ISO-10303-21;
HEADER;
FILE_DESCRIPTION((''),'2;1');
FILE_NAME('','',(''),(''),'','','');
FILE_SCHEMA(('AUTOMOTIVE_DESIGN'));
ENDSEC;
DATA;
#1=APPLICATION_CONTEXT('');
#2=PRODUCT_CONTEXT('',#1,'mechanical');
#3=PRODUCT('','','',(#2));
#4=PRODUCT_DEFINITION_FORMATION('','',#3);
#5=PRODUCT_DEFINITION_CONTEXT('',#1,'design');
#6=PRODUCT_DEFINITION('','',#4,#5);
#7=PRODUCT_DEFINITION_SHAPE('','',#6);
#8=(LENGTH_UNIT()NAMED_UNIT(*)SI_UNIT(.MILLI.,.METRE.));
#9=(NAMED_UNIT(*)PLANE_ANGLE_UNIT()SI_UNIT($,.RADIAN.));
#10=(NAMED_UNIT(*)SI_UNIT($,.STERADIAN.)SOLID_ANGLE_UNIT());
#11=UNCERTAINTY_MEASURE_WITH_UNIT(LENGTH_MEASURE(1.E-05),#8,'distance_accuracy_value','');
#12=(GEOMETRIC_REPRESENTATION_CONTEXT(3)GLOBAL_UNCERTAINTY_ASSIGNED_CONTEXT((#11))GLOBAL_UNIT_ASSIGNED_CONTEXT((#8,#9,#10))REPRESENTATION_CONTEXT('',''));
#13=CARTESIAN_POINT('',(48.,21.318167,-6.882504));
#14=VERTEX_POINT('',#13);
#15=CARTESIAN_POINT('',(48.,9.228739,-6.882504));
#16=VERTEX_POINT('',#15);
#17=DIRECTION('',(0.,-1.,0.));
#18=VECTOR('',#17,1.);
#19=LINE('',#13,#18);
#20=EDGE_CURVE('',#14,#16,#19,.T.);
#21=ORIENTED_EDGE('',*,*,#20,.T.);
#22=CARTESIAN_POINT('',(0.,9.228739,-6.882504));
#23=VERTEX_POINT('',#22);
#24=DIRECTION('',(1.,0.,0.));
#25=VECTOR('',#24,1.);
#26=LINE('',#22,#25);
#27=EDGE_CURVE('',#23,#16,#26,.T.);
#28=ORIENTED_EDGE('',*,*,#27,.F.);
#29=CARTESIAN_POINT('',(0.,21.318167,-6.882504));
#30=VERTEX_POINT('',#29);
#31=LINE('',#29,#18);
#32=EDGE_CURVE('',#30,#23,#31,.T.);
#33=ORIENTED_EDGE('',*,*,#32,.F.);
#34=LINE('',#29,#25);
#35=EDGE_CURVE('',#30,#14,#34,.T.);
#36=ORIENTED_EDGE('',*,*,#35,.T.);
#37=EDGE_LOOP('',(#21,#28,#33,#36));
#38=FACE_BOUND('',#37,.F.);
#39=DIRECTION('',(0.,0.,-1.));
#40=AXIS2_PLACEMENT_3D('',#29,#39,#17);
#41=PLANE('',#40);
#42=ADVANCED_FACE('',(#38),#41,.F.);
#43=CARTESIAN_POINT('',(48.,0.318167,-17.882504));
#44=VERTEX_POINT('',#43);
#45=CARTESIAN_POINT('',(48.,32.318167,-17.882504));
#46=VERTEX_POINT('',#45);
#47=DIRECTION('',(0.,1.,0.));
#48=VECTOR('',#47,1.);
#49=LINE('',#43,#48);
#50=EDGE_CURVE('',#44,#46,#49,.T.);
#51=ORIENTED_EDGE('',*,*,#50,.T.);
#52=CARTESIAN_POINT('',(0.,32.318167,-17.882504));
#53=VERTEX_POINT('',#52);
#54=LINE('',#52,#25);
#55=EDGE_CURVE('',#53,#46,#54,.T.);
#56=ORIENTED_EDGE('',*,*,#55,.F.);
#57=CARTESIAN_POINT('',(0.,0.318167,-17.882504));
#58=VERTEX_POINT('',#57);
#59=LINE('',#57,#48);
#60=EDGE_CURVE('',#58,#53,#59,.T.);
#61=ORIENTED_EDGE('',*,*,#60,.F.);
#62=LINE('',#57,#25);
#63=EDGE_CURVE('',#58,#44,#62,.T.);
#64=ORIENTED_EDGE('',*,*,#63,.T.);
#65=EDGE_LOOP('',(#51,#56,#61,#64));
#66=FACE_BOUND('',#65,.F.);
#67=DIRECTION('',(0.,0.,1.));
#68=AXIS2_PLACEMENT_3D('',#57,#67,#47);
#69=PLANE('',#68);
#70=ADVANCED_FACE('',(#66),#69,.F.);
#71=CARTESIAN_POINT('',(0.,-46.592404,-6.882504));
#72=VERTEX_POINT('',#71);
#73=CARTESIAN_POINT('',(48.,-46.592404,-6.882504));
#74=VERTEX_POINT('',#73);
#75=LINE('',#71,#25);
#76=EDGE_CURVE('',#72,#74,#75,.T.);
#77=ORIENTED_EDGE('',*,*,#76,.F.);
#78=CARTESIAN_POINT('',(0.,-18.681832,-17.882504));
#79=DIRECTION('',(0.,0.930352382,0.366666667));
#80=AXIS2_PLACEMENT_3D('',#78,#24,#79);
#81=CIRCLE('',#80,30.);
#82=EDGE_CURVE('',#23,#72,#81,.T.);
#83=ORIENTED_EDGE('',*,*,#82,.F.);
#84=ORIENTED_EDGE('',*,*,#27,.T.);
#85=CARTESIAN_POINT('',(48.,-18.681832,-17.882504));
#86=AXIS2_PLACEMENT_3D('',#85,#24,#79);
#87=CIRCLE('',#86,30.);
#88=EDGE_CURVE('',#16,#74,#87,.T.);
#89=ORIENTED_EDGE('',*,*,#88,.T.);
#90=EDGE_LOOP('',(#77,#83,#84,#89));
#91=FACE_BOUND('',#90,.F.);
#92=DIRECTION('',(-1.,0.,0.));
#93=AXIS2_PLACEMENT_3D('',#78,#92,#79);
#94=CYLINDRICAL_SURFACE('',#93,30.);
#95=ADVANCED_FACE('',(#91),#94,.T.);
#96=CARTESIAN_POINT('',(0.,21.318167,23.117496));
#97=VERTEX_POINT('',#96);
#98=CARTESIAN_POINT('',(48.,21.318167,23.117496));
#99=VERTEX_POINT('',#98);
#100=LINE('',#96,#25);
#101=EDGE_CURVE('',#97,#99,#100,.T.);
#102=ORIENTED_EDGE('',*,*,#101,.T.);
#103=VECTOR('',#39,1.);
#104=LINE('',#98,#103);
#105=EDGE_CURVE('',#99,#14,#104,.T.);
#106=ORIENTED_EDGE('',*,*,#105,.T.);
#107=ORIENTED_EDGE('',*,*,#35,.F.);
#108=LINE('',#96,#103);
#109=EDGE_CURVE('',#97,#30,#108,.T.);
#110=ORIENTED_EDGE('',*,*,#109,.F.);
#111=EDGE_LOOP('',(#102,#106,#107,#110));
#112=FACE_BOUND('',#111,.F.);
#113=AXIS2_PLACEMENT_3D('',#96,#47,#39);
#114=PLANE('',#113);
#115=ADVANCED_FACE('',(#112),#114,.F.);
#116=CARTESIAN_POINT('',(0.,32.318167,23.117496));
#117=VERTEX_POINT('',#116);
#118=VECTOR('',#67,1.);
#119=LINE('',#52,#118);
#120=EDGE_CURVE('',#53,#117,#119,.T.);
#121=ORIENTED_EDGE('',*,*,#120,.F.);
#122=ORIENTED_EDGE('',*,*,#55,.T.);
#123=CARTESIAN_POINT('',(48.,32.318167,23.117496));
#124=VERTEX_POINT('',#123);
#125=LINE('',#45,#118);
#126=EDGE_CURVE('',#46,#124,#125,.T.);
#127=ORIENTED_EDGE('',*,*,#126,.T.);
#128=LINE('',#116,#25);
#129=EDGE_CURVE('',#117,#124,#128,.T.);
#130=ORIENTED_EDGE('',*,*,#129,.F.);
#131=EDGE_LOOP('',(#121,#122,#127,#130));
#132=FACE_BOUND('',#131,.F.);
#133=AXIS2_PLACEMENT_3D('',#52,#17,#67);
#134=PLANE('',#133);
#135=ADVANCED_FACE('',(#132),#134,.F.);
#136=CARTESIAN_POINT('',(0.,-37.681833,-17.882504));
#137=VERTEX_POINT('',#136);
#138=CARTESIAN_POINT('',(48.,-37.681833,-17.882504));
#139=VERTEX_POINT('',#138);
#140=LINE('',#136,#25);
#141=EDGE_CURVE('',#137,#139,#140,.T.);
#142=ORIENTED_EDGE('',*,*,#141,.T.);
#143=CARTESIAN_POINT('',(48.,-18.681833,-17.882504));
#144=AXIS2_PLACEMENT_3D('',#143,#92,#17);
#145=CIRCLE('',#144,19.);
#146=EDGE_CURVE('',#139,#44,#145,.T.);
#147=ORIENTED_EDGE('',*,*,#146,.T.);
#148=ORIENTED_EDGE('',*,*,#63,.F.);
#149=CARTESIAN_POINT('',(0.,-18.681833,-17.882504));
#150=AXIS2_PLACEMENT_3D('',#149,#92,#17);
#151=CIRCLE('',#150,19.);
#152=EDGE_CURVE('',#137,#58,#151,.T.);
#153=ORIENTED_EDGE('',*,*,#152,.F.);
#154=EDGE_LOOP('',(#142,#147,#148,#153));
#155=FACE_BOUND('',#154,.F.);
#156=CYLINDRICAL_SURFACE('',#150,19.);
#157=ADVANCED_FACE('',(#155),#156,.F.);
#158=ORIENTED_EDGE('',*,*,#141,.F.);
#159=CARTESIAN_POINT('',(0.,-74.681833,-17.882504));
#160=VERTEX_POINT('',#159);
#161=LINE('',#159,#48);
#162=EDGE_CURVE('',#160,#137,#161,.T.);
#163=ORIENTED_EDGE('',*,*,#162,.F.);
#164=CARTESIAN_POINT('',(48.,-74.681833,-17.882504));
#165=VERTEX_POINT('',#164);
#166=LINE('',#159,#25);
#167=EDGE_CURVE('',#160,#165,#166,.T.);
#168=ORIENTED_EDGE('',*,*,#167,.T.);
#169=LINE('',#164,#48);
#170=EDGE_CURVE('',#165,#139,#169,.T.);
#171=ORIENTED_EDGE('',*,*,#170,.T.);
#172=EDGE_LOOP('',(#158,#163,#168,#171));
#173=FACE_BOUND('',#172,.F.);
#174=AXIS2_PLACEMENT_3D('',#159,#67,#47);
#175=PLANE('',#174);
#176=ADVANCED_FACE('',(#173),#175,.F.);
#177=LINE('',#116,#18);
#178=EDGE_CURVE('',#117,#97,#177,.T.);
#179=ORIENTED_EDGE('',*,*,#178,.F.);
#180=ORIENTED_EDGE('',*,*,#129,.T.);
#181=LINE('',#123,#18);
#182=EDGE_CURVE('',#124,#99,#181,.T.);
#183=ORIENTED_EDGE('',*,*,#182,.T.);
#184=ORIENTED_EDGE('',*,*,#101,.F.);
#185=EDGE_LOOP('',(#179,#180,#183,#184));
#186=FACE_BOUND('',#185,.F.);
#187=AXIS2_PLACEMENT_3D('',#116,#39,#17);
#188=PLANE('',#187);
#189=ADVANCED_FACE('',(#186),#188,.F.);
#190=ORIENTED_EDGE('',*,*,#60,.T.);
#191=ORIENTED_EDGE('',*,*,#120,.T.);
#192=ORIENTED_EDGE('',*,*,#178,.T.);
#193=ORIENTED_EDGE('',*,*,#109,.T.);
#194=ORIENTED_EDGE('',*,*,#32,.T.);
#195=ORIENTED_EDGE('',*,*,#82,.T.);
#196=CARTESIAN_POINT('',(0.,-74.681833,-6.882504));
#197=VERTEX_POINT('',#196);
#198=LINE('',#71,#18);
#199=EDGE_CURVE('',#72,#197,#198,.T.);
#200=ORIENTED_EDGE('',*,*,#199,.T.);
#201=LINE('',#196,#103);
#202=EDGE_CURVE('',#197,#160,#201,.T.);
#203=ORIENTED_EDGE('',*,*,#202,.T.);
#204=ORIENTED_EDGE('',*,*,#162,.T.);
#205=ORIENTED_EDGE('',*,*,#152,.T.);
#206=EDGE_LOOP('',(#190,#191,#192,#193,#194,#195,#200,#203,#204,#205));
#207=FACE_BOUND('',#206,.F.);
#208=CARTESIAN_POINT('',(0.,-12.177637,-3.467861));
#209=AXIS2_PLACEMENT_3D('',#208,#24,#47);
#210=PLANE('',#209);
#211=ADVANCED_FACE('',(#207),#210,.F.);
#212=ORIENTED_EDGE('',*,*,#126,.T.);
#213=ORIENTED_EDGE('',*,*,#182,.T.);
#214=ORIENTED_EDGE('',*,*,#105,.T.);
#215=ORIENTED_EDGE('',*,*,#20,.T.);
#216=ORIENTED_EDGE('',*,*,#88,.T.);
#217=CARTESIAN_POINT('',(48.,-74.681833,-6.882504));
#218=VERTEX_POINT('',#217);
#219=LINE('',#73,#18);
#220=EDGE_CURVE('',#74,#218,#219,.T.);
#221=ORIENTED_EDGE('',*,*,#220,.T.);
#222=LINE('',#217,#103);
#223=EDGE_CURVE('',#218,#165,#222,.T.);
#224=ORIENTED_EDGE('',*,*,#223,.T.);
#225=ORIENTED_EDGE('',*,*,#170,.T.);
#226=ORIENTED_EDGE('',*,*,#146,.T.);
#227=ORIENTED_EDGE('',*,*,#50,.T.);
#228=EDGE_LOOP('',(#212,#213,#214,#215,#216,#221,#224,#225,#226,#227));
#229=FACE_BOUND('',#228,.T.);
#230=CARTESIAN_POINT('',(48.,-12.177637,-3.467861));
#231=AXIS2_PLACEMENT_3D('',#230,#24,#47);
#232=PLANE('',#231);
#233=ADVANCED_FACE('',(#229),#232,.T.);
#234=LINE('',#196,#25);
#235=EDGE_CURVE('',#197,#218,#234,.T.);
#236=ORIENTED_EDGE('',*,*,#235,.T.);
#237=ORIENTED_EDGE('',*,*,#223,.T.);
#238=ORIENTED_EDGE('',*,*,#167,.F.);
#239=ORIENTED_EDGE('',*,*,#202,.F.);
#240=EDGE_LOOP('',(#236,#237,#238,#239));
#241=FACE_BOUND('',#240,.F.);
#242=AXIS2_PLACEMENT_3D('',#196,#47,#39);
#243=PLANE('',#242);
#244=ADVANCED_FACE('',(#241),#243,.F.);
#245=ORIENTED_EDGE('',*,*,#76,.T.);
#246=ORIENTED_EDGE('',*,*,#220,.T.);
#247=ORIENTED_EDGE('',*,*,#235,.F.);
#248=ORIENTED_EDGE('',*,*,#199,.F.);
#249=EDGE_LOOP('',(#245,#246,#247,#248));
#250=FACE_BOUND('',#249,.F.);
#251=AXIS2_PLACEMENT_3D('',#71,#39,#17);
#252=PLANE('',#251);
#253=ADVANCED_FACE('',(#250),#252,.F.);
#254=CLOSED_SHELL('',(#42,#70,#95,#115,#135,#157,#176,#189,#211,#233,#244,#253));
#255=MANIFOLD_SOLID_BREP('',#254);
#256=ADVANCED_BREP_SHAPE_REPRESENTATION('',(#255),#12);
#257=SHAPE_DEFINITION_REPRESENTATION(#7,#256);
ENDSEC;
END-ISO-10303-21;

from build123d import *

# Parameters (mm, degrees)
F1_DEPTH = 48


with BuildPart() as f1:
    # F0 (on Right) → F1 (new body)
    with BuildSketch(Plane.YZ):
        with BuildLine():
            ThreePointArc((-37.681833, -17.882504), (-18.681833, 1.117496), (0.318167, -17.882504))
            Line((0.318167, -17.882504), (32.318167, -17.882504))
            Line((32.318167, -17.882504), (32.318167, 23.117496))
            Line((32.318167, 23.117496), (21.318167, 23.117496))
            Line((21.318167, 23.117496), (21.318167, -6.882504))
            Line((21.318167, -6.882504), (9.228739, -6.882504))
            ThreePointArc((9.228739, -6.882504), (-18.681833, 12.117496), (-46.592404, -6.882504))
            Line((-46.592404, -6.882504), (-74.681833, -6.882504))
            Line((-74.681833, -6.882504), (-74.681833, -17.882504))
            Line((-74.681833, -17.882504), (-37.681833, -17.882504))
        make_face()
    extrude(amount=F1_DEPTH)


solid = f1.part
